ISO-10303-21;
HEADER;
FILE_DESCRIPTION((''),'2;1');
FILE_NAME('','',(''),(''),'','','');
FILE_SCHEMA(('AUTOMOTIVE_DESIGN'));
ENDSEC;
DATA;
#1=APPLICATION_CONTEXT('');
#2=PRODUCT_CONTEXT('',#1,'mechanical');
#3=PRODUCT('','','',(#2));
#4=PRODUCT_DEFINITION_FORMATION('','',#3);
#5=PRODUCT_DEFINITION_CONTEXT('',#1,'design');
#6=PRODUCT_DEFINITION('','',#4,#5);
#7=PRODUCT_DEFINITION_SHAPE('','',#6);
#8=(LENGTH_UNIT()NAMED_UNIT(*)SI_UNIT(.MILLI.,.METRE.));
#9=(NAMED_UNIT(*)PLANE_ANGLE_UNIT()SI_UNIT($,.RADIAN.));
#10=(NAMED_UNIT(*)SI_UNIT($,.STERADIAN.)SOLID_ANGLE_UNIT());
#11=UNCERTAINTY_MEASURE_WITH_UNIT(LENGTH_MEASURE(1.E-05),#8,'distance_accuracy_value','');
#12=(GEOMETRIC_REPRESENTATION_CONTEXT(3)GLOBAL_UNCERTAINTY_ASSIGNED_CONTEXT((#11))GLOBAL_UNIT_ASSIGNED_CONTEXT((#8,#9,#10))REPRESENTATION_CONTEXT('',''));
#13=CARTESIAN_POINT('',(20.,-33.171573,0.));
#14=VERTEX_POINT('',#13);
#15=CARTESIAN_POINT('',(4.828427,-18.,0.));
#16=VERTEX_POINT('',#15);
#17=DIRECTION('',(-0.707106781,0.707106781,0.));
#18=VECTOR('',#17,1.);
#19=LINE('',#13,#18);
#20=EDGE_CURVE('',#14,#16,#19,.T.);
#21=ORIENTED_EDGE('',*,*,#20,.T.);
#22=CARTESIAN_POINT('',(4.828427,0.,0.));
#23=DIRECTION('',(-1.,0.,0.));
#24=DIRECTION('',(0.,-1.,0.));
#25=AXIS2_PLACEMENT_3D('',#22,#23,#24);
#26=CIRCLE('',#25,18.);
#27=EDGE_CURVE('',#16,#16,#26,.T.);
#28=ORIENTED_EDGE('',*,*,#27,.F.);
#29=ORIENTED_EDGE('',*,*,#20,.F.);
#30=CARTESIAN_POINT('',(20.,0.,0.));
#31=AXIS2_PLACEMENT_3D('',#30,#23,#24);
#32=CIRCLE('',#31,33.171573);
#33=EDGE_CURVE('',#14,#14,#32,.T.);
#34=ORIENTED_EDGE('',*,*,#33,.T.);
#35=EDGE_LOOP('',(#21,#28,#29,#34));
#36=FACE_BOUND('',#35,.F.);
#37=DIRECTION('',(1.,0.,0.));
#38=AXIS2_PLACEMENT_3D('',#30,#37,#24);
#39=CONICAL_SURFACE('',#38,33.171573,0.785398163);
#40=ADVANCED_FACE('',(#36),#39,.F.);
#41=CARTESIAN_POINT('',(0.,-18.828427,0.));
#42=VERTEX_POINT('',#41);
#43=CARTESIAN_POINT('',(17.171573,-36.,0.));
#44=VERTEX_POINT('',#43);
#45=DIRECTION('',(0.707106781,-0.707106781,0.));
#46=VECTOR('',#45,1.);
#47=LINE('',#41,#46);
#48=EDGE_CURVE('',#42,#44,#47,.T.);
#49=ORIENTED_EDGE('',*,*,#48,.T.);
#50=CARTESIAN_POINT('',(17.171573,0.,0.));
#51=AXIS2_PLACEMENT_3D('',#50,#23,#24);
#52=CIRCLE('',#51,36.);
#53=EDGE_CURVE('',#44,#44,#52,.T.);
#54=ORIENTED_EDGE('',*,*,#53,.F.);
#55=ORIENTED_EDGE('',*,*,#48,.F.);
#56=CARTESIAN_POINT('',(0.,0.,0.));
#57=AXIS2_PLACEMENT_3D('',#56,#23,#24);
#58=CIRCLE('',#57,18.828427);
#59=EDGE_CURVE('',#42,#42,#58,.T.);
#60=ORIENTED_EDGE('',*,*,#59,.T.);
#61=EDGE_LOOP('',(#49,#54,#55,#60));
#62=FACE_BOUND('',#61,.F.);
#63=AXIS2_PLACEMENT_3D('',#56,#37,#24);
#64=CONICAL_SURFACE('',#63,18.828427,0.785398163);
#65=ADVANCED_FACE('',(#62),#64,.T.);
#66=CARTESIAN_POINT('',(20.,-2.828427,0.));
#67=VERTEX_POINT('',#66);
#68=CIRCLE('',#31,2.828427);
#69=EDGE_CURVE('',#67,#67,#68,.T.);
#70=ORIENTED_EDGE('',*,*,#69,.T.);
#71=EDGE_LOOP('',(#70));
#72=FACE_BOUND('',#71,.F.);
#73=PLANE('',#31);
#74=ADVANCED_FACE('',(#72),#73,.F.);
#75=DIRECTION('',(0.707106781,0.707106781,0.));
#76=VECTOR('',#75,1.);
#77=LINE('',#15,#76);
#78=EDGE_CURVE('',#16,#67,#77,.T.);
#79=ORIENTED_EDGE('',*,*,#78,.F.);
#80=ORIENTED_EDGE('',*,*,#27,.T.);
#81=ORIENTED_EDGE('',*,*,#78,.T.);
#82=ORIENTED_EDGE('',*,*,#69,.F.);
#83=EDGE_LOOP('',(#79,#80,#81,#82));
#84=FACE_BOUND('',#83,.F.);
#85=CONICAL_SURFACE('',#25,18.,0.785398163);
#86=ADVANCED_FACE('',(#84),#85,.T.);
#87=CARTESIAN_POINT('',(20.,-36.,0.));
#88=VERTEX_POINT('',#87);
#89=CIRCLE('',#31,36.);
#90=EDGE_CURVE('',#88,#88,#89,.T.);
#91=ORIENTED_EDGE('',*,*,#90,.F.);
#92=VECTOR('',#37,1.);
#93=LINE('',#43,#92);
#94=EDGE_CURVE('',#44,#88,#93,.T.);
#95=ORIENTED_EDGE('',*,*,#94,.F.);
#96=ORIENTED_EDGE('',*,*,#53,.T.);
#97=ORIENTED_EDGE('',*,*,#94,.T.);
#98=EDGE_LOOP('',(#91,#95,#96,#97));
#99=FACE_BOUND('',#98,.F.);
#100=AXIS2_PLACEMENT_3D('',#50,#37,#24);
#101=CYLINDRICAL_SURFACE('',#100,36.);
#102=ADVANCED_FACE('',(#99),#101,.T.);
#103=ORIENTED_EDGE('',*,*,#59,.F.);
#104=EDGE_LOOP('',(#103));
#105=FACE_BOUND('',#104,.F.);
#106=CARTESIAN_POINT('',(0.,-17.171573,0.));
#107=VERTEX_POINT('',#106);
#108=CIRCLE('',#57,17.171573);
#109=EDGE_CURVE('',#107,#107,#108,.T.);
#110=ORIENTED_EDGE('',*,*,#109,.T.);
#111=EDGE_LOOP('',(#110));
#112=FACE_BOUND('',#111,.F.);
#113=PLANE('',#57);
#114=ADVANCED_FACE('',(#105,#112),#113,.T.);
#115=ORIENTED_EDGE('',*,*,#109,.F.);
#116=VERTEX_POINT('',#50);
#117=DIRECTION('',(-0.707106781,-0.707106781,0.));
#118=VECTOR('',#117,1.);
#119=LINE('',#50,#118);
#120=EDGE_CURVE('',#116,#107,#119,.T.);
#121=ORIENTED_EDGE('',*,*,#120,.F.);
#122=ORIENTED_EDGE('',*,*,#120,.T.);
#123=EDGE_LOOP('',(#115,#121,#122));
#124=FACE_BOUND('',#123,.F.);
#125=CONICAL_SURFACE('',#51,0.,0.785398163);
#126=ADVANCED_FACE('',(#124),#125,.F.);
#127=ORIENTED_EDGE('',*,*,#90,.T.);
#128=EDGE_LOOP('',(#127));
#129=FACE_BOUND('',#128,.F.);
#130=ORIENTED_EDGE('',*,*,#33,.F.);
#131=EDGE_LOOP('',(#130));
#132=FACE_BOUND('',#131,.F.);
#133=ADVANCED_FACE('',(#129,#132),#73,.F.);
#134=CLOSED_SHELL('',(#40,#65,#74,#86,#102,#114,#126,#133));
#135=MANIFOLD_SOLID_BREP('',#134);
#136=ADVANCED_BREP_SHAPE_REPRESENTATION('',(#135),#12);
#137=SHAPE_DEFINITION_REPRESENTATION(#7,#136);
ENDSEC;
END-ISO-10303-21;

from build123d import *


with BuildPart() as f1:
    # F0 (on Top) → F1 (revolve)
    with BuildSketch(Plane.XY):
        Polygon((20, 0), (17.171573, 0), (0, -17.171573), (0, -18.828427), (17.171573, -36), (20, -36), (20, -33.171573), (4.828427, -18), (20, -2.828427), align=None)
    revolve(axis=Axis((18.585786, 0, 0), (-1, 0, 0)))


solid = f1.part
